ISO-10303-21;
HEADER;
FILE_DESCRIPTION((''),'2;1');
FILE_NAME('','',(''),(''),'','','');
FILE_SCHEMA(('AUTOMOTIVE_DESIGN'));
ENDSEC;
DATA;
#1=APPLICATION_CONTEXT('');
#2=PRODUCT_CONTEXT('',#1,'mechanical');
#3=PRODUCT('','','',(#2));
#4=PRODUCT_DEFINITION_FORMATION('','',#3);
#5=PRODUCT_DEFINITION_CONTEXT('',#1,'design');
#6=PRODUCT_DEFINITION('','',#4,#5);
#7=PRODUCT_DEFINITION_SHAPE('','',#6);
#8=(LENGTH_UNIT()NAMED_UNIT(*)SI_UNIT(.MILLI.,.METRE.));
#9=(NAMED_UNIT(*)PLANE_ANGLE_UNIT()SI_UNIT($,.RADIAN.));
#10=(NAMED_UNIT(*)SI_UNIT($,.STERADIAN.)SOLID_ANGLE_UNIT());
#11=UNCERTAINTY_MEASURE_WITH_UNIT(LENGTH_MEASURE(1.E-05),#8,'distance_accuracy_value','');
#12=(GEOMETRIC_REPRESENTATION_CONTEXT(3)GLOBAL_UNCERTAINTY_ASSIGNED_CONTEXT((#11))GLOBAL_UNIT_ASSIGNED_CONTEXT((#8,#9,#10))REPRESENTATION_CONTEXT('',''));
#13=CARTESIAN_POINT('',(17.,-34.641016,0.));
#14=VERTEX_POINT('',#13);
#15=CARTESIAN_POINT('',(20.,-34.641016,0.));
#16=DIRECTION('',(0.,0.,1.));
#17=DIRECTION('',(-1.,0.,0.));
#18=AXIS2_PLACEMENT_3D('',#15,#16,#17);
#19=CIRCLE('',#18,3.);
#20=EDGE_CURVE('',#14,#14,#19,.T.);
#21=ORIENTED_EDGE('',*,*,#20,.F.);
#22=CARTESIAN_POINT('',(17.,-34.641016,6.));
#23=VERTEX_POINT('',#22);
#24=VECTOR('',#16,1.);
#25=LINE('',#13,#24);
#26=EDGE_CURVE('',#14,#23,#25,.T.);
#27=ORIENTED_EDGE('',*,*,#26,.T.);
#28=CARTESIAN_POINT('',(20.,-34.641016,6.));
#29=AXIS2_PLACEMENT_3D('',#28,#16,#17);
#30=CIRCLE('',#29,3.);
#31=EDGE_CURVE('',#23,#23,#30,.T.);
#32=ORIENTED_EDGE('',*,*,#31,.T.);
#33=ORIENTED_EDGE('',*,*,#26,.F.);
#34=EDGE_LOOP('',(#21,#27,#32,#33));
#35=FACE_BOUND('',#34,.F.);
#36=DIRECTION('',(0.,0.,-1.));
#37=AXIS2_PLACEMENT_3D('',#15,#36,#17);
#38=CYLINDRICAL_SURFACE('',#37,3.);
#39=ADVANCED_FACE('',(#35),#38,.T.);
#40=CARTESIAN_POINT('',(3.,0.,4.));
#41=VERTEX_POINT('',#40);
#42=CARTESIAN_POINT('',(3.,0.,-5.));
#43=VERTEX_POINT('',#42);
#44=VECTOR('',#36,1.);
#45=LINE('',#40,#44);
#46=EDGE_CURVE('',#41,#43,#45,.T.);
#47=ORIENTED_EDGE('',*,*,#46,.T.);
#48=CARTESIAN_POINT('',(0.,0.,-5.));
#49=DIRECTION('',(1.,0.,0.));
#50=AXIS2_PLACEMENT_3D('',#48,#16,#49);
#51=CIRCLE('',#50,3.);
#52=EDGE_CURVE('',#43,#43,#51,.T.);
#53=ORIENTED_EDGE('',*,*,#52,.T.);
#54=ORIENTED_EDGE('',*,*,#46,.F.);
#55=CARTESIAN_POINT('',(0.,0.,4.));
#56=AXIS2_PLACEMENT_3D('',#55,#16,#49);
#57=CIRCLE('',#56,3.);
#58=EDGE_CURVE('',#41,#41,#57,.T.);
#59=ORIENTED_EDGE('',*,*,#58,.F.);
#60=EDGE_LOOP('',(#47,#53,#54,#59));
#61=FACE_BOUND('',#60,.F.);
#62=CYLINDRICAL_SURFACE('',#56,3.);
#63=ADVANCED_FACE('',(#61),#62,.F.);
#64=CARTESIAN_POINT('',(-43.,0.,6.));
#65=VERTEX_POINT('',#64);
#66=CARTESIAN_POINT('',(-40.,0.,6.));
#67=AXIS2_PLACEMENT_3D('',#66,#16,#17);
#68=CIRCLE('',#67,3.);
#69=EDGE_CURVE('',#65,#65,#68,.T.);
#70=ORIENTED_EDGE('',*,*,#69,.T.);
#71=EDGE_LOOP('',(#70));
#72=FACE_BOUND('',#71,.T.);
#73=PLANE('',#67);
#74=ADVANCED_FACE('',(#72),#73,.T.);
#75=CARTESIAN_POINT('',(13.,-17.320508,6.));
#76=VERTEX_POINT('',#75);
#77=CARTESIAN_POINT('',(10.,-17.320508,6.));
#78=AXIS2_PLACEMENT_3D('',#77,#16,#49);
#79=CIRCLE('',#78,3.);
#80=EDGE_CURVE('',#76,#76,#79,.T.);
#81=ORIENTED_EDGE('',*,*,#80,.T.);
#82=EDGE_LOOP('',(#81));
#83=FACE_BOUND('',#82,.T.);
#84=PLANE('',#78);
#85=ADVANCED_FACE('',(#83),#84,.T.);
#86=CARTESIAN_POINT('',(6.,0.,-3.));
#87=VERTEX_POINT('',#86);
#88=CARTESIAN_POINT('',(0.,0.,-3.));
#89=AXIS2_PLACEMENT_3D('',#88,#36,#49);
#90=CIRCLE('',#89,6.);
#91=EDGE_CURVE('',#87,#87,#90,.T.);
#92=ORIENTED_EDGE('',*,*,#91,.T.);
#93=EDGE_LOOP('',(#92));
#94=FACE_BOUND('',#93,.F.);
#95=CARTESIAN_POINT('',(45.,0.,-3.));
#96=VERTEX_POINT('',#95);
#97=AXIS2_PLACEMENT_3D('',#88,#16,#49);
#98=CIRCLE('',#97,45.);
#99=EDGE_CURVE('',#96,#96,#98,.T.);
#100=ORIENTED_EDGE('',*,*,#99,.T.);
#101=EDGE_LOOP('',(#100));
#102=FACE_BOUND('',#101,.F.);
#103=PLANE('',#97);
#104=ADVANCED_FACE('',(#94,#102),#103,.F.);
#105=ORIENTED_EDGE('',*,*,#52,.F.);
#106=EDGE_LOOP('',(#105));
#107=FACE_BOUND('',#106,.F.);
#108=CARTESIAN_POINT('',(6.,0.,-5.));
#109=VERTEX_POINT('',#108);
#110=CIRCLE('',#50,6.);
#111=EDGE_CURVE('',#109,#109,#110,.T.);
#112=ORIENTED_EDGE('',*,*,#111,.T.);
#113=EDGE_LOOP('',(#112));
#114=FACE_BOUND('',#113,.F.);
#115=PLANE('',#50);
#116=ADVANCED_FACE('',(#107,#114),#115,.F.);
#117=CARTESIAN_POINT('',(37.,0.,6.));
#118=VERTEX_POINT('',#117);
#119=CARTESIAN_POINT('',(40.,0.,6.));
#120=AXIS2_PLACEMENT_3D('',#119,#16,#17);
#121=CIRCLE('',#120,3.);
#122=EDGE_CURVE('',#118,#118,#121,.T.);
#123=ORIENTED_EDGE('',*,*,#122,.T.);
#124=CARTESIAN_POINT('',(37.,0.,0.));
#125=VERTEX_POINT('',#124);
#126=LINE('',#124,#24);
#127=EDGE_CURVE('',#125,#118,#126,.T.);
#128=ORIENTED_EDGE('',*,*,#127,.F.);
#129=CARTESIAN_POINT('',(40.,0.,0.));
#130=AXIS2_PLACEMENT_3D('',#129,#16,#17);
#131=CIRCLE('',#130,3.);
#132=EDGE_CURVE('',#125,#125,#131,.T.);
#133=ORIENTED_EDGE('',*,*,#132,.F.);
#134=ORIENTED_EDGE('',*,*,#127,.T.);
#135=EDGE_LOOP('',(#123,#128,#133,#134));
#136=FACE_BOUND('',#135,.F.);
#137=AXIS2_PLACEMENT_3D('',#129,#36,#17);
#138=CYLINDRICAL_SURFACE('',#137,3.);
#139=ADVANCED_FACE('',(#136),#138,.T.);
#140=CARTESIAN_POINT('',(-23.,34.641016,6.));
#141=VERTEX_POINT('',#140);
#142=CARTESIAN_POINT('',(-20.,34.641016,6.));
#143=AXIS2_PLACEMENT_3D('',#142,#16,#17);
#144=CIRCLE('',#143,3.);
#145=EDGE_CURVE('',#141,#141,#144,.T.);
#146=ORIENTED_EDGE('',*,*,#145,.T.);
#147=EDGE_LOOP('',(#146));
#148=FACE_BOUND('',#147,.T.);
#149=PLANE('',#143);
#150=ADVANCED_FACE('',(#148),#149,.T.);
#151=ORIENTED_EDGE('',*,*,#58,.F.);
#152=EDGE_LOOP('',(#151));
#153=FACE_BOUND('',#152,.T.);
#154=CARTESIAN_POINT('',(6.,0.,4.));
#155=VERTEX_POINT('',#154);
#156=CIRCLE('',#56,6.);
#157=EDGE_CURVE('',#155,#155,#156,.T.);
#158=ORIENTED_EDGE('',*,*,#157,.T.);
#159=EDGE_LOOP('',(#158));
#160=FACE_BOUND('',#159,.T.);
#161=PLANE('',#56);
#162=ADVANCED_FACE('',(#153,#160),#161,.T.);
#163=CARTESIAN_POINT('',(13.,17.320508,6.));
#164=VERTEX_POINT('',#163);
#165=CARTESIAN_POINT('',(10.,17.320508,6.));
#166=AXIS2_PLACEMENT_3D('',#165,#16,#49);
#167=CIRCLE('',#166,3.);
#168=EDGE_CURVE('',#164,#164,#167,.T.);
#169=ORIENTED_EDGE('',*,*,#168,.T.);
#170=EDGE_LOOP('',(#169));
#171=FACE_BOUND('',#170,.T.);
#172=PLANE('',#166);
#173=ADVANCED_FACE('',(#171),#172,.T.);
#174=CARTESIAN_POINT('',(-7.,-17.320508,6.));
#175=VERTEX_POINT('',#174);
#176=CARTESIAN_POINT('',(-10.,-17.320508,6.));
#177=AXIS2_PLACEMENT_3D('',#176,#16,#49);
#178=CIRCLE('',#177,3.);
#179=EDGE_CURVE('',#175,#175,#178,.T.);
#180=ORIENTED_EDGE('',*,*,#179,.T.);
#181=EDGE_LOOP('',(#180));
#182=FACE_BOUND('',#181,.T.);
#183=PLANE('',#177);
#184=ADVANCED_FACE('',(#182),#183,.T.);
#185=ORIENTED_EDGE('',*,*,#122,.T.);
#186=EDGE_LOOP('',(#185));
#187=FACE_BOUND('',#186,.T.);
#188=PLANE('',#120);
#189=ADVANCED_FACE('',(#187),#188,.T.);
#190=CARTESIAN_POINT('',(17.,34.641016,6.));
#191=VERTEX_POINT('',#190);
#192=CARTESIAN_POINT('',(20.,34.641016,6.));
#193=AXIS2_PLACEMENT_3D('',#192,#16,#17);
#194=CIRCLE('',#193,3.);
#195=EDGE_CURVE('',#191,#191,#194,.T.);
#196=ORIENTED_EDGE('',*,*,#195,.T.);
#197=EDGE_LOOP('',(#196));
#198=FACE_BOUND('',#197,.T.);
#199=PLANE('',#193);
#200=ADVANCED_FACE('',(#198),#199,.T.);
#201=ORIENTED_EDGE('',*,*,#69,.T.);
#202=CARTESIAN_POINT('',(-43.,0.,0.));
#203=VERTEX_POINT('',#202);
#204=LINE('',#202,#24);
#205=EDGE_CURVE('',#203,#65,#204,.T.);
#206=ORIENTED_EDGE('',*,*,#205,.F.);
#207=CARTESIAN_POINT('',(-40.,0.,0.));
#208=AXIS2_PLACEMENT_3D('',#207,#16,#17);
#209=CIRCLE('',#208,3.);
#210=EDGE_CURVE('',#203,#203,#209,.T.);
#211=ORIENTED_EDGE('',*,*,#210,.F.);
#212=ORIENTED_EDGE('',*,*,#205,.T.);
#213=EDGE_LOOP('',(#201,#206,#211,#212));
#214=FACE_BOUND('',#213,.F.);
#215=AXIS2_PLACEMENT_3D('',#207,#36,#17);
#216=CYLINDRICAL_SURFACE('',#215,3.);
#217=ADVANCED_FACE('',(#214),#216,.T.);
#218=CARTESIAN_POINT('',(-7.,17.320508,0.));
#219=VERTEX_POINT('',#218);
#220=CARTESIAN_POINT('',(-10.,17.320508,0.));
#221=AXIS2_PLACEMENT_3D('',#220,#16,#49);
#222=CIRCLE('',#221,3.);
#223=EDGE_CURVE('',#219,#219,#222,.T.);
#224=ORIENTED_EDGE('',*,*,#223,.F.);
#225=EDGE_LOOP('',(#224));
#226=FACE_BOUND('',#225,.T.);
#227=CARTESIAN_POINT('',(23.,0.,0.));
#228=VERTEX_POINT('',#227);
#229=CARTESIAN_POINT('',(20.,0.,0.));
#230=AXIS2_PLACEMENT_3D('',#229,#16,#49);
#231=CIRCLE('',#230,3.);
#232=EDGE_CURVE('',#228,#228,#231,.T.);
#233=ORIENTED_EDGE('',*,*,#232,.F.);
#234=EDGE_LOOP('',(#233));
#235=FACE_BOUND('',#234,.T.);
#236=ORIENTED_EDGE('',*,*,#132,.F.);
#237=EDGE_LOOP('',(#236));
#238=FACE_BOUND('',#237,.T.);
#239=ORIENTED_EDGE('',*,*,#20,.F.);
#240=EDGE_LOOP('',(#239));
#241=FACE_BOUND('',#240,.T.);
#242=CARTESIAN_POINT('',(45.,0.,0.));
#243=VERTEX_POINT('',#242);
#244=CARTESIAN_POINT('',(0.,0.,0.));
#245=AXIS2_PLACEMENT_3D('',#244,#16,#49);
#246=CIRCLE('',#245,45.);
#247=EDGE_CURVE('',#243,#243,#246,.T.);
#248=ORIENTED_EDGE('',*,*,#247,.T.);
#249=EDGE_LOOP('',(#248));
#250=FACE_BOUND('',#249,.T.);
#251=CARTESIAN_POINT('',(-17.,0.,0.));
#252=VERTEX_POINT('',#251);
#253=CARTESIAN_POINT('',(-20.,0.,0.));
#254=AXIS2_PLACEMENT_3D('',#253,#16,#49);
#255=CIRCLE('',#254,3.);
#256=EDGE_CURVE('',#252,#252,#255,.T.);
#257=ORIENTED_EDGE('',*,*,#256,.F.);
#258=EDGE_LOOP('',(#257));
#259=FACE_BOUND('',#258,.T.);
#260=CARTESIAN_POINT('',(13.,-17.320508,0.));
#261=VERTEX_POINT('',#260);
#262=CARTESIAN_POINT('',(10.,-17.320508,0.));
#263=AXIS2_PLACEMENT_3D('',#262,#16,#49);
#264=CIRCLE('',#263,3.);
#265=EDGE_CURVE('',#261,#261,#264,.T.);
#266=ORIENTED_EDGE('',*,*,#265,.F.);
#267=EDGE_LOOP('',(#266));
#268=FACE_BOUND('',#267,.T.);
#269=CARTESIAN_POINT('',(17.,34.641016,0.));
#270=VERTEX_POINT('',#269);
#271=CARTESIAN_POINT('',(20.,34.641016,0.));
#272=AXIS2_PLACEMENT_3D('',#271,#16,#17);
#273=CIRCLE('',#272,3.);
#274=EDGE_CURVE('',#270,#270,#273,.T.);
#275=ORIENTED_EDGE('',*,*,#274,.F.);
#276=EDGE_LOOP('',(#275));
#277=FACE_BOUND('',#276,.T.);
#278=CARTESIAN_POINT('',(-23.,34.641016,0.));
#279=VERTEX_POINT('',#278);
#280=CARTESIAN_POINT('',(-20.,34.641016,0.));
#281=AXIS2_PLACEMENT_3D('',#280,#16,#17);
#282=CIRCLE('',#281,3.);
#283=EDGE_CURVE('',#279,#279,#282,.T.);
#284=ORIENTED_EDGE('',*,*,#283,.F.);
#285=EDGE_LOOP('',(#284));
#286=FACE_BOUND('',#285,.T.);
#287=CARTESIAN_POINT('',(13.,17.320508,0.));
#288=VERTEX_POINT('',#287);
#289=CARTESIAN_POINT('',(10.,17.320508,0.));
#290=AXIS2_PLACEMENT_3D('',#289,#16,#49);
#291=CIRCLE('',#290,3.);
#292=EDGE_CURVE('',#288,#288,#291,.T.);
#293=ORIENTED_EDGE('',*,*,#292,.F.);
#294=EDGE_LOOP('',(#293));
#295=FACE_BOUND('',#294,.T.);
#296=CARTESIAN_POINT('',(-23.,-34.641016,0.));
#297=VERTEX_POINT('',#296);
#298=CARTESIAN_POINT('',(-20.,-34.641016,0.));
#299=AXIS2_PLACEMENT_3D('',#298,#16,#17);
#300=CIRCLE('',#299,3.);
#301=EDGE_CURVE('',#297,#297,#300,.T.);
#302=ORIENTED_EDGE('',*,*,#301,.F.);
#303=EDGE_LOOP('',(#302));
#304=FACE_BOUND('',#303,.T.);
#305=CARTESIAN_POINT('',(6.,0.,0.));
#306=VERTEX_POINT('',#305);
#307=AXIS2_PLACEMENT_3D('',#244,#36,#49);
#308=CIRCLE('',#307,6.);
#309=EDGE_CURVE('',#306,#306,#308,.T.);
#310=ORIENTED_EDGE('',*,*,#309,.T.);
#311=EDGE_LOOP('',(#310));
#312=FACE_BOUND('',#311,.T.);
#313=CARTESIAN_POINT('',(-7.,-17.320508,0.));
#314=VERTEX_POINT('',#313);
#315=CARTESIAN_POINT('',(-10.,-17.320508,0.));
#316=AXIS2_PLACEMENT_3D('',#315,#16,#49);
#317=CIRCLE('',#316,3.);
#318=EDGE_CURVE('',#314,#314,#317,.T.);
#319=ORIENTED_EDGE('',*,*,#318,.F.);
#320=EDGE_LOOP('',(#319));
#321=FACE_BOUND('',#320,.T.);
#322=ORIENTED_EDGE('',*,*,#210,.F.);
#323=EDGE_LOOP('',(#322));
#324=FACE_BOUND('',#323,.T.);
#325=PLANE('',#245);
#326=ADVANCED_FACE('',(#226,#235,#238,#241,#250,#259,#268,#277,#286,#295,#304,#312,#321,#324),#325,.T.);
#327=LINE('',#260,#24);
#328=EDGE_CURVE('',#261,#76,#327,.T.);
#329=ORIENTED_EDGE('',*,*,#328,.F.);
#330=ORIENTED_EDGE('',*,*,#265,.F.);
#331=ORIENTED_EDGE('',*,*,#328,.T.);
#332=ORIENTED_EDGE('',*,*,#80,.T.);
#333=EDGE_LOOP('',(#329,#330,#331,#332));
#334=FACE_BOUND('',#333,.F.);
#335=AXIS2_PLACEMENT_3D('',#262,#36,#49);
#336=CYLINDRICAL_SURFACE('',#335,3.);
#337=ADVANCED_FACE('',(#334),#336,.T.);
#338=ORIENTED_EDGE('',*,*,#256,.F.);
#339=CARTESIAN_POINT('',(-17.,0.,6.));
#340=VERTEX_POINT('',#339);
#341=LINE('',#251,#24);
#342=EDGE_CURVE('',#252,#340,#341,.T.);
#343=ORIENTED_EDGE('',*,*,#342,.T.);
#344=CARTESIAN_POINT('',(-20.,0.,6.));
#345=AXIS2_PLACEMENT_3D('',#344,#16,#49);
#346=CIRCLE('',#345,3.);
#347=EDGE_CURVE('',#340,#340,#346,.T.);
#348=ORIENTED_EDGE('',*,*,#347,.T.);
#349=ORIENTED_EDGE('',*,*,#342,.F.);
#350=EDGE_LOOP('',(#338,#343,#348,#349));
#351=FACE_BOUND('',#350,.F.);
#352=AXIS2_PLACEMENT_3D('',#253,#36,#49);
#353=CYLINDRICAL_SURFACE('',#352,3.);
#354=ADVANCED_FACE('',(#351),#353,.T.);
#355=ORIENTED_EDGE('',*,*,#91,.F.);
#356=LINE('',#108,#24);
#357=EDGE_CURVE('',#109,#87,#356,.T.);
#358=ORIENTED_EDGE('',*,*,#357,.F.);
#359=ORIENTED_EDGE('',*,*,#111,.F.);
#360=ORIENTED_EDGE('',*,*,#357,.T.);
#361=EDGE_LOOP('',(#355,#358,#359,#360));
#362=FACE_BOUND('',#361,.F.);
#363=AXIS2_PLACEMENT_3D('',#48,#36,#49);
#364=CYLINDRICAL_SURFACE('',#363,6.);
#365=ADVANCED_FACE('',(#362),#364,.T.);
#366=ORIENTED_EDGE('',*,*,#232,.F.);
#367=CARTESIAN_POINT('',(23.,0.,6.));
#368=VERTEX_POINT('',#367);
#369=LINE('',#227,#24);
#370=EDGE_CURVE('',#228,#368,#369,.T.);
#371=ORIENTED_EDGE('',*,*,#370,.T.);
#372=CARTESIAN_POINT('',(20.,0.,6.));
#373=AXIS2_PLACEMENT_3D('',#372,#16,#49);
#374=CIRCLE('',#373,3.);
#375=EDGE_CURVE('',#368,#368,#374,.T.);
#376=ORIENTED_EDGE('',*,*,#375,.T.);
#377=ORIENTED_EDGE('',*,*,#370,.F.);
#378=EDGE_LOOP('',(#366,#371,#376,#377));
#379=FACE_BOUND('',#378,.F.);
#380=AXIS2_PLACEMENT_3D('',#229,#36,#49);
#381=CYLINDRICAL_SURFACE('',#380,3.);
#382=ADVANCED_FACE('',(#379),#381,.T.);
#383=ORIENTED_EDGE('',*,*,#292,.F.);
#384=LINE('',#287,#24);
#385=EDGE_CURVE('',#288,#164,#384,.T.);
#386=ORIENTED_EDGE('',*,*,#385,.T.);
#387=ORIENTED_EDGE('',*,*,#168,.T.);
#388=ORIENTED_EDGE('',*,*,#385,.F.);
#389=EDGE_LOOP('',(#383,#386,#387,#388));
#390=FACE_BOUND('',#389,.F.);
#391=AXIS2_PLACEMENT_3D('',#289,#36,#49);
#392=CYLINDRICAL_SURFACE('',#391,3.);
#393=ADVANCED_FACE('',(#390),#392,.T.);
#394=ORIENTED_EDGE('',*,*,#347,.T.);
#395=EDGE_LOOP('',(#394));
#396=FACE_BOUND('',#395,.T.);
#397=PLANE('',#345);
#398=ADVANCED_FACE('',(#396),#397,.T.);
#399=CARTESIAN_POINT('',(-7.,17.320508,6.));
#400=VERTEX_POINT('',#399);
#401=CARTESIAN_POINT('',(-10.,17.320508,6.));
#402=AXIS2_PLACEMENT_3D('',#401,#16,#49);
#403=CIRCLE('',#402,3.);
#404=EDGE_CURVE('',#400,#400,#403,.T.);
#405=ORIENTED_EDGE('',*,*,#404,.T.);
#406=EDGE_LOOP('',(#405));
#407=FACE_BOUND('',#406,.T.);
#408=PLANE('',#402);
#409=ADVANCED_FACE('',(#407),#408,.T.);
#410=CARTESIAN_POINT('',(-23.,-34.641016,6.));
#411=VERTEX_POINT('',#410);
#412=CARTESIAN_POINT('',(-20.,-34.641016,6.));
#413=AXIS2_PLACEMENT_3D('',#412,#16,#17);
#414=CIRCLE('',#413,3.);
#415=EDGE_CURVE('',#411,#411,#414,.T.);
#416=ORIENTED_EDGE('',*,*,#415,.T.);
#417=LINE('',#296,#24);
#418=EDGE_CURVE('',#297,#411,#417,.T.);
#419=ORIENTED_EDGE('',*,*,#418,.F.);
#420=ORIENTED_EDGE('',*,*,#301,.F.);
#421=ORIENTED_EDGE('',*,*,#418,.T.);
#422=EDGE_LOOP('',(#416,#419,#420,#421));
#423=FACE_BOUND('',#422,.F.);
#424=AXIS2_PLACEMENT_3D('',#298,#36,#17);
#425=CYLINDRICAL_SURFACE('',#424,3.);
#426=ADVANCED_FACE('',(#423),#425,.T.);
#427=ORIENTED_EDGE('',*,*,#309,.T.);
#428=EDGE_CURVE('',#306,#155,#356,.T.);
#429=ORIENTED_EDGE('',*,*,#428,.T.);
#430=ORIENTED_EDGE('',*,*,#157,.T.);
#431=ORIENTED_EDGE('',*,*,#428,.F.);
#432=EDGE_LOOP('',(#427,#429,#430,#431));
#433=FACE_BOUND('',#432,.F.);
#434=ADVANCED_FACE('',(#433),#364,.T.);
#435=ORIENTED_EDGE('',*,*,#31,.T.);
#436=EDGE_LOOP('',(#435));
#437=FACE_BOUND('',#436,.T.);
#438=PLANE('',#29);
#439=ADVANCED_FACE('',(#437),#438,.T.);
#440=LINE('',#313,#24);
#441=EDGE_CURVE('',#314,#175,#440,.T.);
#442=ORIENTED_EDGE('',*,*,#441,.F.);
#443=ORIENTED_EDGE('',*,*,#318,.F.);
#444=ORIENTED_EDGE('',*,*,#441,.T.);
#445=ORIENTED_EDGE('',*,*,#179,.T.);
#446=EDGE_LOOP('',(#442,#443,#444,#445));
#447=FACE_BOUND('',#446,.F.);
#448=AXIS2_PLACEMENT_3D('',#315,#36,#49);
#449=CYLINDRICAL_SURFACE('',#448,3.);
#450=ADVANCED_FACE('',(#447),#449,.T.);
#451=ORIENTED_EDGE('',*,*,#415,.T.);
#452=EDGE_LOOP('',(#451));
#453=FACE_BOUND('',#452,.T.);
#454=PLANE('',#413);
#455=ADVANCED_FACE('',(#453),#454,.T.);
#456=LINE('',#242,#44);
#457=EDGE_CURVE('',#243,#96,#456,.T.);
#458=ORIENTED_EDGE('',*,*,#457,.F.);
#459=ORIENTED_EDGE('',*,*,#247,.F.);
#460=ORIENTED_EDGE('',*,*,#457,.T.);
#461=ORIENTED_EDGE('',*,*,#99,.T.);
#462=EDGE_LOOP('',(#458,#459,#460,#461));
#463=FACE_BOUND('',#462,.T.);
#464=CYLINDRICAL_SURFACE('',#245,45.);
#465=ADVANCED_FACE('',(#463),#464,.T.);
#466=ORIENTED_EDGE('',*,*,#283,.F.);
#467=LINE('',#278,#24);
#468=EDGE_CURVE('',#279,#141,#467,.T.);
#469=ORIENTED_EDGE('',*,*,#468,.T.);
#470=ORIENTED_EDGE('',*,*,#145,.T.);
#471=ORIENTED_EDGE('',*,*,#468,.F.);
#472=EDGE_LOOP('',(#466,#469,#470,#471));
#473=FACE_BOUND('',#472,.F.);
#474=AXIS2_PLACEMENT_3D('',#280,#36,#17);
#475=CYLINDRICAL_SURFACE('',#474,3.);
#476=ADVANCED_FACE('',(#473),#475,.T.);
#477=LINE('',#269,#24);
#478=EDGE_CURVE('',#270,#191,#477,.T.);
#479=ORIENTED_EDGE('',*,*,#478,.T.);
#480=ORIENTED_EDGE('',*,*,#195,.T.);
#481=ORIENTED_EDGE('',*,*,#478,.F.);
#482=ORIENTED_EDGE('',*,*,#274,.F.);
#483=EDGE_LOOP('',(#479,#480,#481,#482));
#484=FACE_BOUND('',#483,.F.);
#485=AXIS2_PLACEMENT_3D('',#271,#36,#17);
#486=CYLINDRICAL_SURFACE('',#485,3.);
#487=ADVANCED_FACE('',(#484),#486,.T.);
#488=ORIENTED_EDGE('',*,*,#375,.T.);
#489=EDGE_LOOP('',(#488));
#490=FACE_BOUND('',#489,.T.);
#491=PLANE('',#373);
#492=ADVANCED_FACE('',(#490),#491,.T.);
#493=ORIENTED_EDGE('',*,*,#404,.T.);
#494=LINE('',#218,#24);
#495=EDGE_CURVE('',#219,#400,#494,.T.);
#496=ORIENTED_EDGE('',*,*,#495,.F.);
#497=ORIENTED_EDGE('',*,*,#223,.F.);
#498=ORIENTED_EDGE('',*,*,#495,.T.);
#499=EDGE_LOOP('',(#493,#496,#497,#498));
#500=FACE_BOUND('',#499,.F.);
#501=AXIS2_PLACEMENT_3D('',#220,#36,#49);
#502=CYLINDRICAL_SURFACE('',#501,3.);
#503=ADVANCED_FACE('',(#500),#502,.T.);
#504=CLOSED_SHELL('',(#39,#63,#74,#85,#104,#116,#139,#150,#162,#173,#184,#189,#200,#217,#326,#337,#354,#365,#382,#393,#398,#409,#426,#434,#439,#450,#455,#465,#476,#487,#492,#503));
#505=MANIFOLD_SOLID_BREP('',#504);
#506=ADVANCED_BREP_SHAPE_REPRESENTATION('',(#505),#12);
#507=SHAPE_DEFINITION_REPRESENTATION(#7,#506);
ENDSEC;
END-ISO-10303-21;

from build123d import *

# Parameters (mm, degrees)
SKETCH_1_R           = 45
EXTRUDE_1_DEPTH      = 3
SKETCH_2_R           = 3
EXTRUDE_2_DEPTH      = 6
EXTRUDE_3_DEPTH      = 4
EXTRUDE_3_DEPTH_BACK = 5
SKETCH_3_R           = 6
CUT_EXTRUDE_1_REACH  = 66.273
SKETCH_4_R           = 3
SKETCH_5_R           = 3
EXTRUDE_4_DEPTH      = 6


with BuildPart() as part:
    # 草图1 → 凸台-拉伸1 (new body)
    with BuildSketch(Plane.XY):
        Circle(SKETCH_1_R)
    extrude(amount=-EXTRUDE_1_DEPTH)

    # 草图2 → 凸台-拉伸2 (add)
    with BuildSketch(Plane.XY):
        with Locations(Location((-40, 0, 0), (0, 0, 180))):
            Circle(SKETCH_2_R)
        with Locations(Location((-20, 34.641016151, 0), (0, 0, 180))):
            Circle(SKETCH_2_R)
        with Locations(Location((20, 34.641016151, 0), (0, 0, 180))):
            Circle(SKETCH_2_R)
        with Locations(Location((40, 0, 0), (0, 0, 180))):
            Circle(SKETCH_2_R)
        with Locations(Location((20, -34.641016151, 0), (0, 0, 180))):
            Circle(SKETCH_2_R)
        with Locations(Location((-20, -34.641016151, 0), (0, 0, 180))):
            Circle(SKETCH_2_R)
    extrude(amount=EXTRUDE_2_DEPTH)

    # 草图3 → 凸台-拉伸3 (add, two sides: drawn at the far end of the back side and taken through both)
    with BuildSketch(Plane.XY.offset(-EXTRUDE_3_DEPTH_BACK)):
        Circle(SKETCH_3_R)
    extrude(amount=EXTRUDE_3_DEPTH + EXTRUDE_3_DEPTH_BACK)

    # 草图4 → 切除-拉伸1 (cut, up to next)
    with BuildSketch(Plane.XY.offset(4), mode=Mode.PRIVATE) as cut_extrude_1_sk1:
        Circle(SKETCH_4_R)
    cut_extrude_1_tool1 = extrude(cut_extrude_1_sk1.sketch, amount=-CUT_EXTRUDE_1_REACH, mode=Mode.PRIVATE) & part.part
    add(cut_extrude_1_tool1.solids().sort_by_distance((0, 0, 4))[0], mode=Mode.SUBTRACT)

    # 草图5 → 凸台-拉伸4 (add)
    with BuildSketch(Plane.XY):
        with Locations((-20, 0)):
            Circle(SKETCH_5_R)
        with Locations((-10, 17.320508076)):
            Circle(SKETCH_5_R)
        with Locations((10, 17.320508076)):
            Circle(SKETCH_5_R)
        with Locations((20, 0)):
            Circle(SKETCH_5_R)
        with Locations((10, -17.320508076)):
            Circle(SKETCH_5_R)
        with Locations((-10, -17.320508076)):
            Circle(SKETCH_5_R)
    extrude(amount=EXTRUDE_4_DEPTH)


solid = part.part
